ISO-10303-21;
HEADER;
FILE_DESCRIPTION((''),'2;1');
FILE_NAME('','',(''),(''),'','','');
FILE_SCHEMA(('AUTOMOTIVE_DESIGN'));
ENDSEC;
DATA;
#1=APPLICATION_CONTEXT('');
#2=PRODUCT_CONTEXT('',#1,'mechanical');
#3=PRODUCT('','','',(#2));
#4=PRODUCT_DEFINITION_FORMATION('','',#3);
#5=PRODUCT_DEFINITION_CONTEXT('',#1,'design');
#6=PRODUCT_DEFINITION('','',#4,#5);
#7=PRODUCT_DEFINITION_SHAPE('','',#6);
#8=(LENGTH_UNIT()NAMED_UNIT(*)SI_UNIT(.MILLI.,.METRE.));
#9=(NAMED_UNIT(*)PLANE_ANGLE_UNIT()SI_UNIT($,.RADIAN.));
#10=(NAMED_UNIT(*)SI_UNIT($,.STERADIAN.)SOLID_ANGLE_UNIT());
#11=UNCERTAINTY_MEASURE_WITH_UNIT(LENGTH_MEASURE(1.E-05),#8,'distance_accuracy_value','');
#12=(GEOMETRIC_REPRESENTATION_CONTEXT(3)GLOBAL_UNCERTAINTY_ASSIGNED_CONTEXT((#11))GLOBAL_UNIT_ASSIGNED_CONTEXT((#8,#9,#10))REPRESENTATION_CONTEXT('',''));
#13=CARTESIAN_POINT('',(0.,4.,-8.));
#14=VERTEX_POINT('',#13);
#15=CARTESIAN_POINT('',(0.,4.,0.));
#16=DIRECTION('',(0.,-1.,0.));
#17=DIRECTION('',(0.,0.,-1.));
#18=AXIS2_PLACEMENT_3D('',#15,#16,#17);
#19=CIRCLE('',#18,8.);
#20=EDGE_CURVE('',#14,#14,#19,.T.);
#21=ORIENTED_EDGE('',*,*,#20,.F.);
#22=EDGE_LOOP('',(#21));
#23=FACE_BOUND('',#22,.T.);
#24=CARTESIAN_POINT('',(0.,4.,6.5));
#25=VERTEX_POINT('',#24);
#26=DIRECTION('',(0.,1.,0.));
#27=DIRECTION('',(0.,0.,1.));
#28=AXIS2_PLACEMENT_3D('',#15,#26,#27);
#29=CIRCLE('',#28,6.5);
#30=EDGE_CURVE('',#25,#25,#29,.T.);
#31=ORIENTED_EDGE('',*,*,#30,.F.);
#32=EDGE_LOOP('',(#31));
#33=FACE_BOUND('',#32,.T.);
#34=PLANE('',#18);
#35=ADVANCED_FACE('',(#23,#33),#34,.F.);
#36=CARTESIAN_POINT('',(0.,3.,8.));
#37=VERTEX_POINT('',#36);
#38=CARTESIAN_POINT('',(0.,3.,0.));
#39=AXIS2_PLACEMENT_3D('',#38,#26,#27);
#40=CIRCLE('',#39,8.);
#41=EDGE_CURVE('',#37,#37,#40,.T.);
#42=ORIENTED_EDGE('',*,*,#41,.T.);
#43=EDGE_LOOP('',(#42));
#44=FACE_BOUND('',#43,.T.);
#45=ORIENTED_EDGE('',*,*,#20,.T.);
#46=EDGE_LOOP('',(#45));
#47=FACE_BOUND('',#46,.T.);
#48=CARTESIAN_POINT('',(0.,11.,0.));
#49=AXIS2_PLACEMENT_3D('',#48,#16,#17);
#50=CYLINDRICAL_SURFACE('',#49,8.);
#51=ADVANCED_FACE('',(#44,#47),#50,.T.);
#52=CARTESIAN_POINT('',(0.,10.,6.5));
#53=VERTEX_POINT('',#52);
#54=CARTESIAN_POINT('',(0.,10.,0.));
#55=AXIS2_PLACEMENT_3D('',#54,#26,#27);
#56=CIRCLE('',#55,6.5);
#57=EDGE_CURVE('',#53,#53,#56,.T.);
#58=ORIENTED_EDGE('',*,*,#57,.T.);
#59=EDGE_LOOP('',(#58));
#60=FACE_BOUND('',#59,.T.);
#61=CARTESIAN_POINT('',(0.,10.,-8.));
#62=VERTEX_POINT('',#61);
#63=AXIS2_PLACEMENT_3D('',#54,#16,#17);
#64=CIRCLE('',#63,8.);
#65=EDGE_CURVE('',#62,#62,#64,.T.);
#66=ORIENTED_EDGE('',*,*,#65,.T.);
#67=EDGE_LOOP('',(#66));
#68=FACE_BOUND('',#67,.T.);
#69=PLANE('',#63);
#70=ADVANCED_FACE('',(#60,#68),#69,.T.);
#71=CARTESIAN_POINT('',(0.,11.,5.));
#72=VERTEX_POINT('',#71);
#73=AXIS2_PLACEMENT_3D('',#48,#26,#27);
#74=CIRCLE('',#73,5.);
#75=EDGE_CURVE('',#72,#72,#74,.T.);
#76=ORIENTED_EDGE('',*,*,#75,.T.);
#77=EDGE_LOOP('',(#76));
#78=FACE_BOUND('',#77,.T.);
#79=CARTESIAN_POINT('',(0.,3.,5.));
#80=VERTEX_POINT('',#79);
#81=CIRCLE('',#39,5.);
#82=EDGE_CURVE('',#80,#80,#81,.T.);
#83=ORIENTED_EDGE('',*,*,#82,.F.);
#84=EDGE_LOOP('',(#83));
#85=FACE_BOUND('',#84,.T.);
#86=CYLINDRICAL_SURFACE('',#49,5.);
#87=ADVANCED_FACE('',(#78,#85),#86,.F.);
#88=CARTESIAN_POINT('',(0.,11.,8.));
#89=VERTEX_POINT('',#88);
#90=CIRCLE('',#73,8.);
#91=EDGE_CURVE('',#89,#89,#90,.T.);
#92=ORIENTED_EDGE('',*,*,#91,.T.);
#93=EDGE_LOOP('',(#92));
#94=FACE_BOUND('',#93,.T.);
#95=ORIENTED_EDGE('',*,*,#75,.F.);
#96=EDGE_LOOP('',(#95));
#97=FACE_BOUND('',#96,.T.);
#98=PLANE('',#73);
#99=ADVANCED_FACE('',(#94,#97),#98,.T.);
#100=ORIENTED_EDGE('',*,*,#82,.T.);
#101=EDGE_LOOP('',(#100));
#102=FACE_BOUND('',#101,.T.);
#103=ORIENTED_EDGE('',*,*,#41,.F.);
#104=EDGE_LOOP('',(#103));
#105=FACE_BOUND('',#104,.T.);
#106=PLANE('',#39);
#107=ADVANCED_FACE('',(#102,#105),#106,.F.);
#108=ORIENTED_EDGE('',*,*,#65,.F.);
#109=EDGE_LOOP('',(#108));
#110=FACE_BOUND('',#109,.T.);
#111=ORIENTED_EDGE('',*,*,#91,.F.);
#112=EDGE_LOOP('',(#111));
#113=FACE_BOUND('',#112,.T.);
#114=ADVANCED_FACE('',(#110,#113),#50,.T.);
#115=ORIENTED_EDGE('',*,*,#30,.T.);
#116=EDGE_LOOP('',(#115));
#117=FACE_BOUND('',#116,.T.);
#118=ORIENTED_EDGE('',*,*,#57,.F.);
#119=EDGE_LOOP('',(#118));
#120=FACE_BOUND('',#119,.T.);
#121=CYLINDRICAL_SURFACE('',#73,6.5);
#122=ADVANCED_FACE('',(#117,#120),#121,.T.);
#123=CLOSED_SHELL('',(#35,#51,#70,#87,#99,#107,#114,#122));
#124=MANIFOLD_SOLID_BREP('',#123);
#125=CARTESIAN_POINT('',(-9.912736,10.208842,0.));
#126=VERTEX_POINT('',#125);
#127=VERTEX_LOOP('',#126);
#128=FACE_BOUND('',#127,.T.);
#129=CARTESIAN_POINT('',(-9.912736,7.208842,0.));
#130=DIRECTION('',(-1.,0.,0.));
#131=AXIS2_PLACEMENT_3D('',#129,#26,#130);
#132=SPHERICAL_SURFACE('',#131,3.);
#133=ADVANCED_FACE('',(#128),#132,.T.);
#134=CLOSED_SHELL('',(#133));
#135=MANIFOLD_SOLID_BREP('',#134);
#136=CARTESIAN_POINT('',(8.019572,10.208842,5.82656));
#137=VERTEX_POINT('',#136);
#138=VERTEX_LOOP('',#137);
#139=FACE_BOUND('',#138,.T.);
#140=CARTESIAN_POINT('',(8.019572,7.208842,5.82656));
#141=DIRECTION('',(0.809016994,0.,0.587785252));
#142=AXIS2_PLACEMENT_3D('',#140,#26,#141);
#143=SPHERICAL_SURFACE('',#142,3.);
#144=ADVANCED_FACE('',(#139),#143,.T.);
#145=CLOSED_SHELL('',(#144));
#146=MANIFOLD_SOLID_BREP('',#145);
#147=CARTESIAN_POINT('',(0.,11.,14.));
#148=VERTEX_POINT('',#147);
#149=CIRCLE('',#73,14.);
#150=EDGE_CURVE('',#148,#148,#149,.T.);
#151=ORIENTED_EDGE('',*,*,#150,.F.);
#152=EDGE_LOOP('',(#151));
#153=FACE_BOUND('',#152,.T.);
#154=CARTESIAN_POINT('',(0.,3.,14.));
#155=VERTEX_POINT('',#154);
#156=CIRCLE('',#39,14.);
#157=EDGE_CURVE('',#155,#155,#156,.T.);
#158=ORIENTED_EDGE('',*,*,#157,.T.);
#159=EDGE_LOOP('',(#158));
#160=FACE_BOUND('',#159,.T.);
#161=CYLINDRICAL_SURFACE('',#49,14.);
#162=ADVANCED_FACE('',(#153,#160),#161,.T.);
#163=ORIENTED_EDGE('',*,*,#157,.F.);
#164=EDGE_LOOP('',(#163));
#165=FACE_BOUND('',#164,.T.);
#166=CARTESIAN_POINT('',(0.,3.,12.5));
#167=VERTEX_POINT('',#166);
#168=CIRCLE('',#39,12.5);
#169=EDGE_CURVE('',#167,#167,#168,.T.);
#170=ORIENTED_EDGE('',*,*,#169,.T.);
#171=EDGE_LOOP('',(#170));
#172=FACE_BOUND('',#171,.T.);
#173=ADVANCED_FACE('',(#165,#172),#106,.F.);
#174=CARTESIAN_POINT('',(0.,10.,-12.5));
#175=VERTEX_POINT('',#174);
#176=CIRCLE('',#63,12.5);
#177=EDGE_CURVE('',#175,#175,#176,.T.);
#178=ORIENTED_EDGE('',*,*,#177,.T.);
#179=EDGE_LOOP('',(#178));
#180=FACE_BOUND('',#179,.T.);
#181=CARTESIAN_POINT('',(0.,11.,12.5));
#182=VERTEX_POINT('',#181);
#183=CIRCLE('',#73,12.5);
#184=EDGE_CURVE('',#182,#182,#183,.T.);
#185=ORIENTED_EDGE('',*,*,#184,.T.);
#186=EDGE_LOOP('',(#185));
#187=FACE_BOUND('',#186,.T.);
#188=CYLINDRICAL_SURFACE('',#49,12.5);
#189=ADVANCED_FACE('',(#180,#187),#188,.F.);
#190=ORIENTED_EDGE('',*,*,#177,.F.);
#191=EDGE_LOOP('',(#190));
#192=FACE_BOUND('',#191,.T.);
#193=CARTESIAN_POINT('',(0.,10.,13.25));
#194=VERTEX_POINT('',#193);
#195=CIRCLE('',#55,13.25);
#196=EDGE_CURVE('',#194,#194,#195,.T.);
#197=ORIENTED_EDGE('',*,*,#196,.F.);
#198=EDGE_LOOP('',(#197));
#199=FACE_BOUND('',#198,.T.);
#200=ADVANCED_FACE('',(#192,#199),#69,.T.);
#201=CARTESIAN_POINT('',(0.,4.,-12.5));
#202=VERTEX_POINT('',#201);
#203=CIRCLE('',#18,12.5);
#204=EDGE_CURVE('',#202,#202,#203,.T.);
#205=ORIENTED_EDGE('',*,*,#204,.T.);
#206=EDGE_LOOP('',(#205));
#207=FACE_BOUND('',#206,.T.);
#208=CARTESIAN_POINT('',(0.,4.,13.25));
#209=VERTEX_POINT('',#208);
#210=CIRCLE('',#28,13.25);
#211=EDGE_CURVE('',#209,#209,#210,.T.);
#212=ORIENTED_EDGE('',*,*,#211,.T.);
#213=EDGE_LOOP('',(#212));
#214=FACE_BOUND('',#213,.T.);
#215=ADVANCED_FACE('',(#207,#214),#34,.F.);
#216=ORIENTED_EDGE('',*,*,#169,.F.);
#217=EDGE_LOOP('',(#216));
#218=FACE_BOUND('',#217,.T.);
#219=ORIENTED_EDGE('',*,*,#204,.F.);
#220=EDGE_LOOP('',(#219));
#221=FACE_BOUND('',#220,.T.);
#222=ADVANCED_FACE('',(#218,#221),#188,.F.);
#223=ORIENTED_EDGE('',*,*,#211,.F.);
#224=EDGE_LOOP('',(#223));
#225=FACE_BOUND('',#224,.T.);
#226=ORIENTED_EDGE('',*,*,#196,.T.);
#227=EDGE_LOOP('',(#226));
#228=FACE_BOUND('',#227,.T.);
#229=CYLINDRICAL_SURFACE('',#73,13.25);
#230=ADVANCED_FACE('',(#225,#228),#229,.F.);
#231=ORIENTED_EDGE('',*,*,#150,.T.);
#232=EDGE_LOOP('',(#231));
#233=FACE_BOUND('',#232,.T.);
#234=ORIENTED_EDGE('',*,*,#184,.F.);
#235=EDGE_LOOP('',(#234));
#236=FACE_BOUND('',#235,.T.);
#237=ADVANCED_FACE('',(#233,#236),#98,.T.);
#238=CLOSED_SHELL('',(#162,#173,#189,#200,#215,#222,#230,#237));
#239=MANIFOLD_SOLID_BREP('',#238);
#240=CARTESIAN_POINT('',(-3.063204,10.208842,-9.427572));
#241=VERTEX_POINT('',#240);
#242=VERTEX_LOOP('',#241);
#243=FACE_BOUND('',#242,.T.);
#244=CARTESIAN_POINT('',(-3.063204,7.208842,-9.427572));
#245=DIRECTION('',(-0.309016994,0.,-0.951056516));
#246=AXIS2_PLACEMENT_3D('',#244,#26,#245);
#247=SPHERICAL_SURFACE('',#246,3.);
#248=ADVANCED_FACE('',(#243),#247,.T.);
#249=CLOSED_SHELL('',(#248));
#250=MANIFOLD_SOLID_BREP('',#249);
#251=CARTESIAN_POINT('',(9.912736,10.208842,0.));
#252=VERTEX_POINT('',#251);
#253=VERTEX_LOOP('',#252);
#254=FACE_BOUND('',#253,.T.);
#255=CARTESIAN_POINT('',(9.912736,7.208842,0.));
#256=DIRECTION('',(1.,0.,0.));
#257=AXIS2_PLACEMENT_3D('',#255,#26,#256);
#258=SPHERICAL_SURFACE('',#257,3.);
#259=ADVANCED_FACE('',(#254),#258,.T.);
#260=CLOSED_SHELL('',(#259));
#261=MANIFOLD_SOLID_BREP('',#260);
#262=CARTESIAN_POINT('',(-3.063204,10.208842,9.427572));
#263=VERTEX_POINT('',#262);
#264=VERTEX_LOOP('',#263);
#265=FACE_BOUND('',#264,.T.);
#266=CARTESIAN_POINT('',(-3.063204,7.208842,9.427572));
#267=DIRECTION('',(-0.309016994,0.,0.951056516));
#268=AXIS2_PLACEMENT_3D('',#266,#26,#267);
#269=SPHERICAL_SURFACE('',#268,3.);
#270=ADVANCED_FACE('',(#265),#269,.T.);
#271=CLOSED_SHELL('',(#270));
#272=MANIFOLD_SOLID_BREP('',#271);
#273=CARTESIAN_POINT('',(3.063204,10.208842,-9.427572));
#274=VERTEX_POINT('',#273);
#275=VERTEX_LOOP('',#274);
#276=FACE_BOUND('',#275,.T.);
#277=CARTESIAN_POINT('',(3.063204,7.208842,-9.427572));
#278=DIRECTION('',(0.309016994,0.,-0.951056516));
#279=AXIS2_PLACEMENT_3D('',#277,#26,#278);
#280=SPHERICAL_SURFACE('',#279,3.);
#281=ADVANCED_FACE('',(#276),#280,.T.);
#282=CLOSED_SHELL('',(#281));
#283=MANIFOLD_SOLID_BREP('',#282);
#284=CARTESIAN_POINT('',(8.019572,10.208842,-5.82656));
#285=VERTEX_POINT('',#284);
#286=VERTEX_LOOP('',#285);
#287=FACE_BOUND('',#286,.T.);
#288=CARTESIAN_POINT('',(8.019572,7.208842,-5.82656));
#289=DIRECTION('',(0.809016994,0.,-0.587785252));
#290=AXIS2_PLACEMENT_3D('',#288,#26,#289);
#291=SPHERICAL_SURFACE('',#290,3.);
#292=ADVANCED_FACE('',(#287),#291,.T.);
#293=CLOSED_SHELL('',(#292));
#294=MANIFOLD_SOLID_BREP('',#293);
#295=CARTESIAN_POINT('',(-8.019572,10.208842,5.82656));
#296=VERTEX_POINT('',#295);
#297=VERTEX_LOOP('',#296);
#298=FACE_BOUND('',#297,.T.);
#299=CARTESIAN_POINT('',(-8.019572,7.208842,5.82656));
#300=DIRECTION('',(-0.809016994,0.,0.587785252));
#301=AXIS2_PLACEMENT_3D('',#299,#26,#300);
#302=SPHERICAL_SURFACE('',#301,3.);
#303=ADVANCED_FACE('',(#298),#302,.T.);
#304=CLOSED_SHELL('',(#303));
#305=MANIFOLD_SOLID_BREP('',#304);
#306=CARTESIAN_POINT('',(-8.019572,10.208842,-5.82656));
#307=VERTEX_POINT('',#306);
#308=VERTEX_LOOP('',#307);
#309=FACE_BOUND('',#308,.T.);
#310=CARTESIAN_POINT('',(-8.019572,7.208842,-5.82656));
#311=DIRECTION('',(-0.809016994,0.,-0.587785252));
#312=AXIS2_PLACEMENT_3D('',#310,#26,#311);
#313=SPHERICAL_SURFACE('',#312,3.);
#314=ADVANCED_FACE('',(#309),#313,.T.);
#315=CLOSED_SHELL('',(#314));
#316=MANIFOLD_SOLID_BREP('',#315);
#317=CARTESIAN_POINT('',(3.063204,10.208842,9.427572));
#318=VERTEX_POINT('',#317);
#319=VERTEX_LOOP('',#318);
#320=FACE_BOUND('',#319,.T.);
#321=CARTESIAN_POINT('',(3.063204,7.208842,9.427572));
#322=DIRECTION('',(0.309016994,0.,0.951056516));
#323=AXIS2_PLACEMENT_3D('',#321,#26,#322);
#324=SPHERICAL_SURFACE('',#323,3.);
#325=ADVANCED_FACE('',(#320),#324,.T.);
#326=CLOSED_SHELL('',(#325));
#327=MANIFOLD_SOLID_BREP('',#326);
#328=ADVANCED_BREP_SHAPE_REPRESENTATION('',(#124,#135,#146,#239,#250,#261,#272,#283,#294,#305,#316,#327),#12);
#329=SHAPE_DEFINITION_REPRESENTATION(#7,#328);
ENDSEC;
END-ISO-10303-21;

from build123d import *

# Parameters (mm, degrees)
BOSS_EXTRUDE1_START = 3
SKETCH2_R           = 14
SKETCH2_R_2         = 12.5
BOSS_EXTRUDE1_DEPTH = 8
BOSS_EXTRUDE2_START = 3
SKETCH5_R           = 8
SKETCH5_R_2         = 5
BOSS_EXTRUDE2_DEPTH = 8
SKETCH3_W           = 6.75
SKETCH3_H           = 6
CIRPATTERN4_COUNT   = 10


with BuildPart() as part:
    # Sketch2 → Boss-Extrude1 (new body)
    with BuildSketch(Plane(origin=(0, 0, 0), x_dir=(1, 0, 0), z_dir=(0, 1, 0)).offset(BOSS_EXTRUDE1_START)):
        with Locations(Location((0, 0, 0), (0, 0, 270))):
            Circle(SKETCH2_R)
        with Locations(Location((0, 0, 0), (0, 0, 270))):
            Circle(SKETCH2_R_2, mode=Mode.SUBTRACT)
    extrude(amount=BOSS_EXTRUDE1_DEPTH)


with BuildPart() as body_2:
    # Sketch5 → Boss-Extrude2 (new body)
    with BuildSketch(Plane(origin=(0, 0, 0), x_dir=(1, 0, 0), z_dir=(0, 1, 0)).offset(BOSS_EXTRUDE2_START)):
        with Locations(Location((0, 0, 0), (0, 0, 270))):
            Circle(SKETCH5_R)
        with Locations(Location((0, 0, 0), (0, 0, 270))):
            Circle(SKETCH5_R_2, mode=Mode.SUBTRACT)
    extrude(amount=BOSS_EXTRUDE2_DEPTH)


with BuildPart() as cut_revolve1_tool:
    # Sketch3 → Cut-Revolve1 (revolve)
    with BuildSketch(Plane.XY):
        with Locations((-9.875, 7)):
            Rectangle(SKETCH3_W, SKETCH3_H)
    revolve(axis=Axis((0, 11, 0), (0, -1, 0)))


with BuildPart() as part_1:
    add(part.part)

    # Cut-Revolve1: cut by cut_revolve1_tool
    add(cut_revolve1_tool.part, mode=Mode.SUBTRACT)


with BuildPart() as body_2_1:
    add(body_2.part)

    # Cut-Revolve1: cut by cut_revolve1_tool
    add(cut_revolve1_tool.part, mode=Mode.SUBTRACT)


with BuildPart() as body_3:
    # Sketch6 → Revolve4 (revolve)
    with BuildSketch(Plane.XY):
        with BuildLine():
            Line((9.91273612, 10.20884205), (9.91273612, 4.20884205))
            ThreePointArc((9.91273612, 4.20884205), (12.91273612, 7.20884205), (9.91273612, 10.20884205))
        make_face()
    revolve(axis=Axis((9.91273612, 11, 0), (0, -1, 0)))


with BuildPart() as cirpattern4_1:
    # CirPattern4: pattern copy
    add(body_3.part.rotate(Axis((0, 0, 0), (0, 1, 0)), 1 * 360 / CIRPATTERN4_COUNT))


with BuildPart() as cirpattern4_2:
    # CirPattern4: pattern copy
    add(body_3.part.rotate(Axis((0, 0, 0), (0, 1, 0)), 2 * 360 / CIRPATTERN4_COUNT))


with BuildPart() as cirpattern4_3:
    # CirPattern4: pattern copy
    add(body_3.part.rotate(Axis((0, 0, 0), (0, 1, 0)), 3 * 360 / CIRPATTERN4_COUNT))


with BuildPart() as cirpattern4_4:
    # CirPattern4: pattern copy
    add(body_3.part.rotate(Axis((0, 0, 0), (0, 1, 0)), 4 * 360 / CIRPATTERN4_COUNT))


with BuildPart() as cirpattern4_5:
    # CirPattern4: pattern copy
    add(body_3.part.rotate(Axis((0, 0, 0), (0, 1, 0)), 5 * 360 / CIRPATTERN4_COUNT))


with BuildPart() as cirpattern4_6:
    # CirPattern4: pattern copy
    add(body_3.part.rotate(Axis((0, 0, 0), (0, 1, 0)), 6 * 360 / CIRPATTERN4_COUNT))


with BuildPart() as cirpattern4_7:
    # CirPattern4: pattern copy
    add(body_3.part.rotate(Axis((0, 0, 0), (0, 1, 0)), 7 * 360 / CIRPATTERN4_COUNT))


with BuildPart() as cirpattern4_8:
    # CirPattern4: pattern copy
    add(body_3.part.rotate(Axis((0, 0, 0), (0, 1, 0)), 8 * 360 / CIRPATTERN4_COUNT))


with BuildPart() as cirpattern4_9:
    # CirPattern4: pattern copy
    add(body_3.part.rotate(Axis((0, 0, 0), (0, 1, 0)), 9 * 360 / CIRPATTERN4_COUNT))


solid = Compound([part_1.part, body_2_1.part, body_3.part, cirpattern4_1.part, cirpattern4_2.part, cirpattern4_3.part, cirpattern4_4.part, cirpattern4_5.part, cirpattern4_6.part, cirpattern4_7.part, cirpattern4_8.part, cirpattern4_9.part])
